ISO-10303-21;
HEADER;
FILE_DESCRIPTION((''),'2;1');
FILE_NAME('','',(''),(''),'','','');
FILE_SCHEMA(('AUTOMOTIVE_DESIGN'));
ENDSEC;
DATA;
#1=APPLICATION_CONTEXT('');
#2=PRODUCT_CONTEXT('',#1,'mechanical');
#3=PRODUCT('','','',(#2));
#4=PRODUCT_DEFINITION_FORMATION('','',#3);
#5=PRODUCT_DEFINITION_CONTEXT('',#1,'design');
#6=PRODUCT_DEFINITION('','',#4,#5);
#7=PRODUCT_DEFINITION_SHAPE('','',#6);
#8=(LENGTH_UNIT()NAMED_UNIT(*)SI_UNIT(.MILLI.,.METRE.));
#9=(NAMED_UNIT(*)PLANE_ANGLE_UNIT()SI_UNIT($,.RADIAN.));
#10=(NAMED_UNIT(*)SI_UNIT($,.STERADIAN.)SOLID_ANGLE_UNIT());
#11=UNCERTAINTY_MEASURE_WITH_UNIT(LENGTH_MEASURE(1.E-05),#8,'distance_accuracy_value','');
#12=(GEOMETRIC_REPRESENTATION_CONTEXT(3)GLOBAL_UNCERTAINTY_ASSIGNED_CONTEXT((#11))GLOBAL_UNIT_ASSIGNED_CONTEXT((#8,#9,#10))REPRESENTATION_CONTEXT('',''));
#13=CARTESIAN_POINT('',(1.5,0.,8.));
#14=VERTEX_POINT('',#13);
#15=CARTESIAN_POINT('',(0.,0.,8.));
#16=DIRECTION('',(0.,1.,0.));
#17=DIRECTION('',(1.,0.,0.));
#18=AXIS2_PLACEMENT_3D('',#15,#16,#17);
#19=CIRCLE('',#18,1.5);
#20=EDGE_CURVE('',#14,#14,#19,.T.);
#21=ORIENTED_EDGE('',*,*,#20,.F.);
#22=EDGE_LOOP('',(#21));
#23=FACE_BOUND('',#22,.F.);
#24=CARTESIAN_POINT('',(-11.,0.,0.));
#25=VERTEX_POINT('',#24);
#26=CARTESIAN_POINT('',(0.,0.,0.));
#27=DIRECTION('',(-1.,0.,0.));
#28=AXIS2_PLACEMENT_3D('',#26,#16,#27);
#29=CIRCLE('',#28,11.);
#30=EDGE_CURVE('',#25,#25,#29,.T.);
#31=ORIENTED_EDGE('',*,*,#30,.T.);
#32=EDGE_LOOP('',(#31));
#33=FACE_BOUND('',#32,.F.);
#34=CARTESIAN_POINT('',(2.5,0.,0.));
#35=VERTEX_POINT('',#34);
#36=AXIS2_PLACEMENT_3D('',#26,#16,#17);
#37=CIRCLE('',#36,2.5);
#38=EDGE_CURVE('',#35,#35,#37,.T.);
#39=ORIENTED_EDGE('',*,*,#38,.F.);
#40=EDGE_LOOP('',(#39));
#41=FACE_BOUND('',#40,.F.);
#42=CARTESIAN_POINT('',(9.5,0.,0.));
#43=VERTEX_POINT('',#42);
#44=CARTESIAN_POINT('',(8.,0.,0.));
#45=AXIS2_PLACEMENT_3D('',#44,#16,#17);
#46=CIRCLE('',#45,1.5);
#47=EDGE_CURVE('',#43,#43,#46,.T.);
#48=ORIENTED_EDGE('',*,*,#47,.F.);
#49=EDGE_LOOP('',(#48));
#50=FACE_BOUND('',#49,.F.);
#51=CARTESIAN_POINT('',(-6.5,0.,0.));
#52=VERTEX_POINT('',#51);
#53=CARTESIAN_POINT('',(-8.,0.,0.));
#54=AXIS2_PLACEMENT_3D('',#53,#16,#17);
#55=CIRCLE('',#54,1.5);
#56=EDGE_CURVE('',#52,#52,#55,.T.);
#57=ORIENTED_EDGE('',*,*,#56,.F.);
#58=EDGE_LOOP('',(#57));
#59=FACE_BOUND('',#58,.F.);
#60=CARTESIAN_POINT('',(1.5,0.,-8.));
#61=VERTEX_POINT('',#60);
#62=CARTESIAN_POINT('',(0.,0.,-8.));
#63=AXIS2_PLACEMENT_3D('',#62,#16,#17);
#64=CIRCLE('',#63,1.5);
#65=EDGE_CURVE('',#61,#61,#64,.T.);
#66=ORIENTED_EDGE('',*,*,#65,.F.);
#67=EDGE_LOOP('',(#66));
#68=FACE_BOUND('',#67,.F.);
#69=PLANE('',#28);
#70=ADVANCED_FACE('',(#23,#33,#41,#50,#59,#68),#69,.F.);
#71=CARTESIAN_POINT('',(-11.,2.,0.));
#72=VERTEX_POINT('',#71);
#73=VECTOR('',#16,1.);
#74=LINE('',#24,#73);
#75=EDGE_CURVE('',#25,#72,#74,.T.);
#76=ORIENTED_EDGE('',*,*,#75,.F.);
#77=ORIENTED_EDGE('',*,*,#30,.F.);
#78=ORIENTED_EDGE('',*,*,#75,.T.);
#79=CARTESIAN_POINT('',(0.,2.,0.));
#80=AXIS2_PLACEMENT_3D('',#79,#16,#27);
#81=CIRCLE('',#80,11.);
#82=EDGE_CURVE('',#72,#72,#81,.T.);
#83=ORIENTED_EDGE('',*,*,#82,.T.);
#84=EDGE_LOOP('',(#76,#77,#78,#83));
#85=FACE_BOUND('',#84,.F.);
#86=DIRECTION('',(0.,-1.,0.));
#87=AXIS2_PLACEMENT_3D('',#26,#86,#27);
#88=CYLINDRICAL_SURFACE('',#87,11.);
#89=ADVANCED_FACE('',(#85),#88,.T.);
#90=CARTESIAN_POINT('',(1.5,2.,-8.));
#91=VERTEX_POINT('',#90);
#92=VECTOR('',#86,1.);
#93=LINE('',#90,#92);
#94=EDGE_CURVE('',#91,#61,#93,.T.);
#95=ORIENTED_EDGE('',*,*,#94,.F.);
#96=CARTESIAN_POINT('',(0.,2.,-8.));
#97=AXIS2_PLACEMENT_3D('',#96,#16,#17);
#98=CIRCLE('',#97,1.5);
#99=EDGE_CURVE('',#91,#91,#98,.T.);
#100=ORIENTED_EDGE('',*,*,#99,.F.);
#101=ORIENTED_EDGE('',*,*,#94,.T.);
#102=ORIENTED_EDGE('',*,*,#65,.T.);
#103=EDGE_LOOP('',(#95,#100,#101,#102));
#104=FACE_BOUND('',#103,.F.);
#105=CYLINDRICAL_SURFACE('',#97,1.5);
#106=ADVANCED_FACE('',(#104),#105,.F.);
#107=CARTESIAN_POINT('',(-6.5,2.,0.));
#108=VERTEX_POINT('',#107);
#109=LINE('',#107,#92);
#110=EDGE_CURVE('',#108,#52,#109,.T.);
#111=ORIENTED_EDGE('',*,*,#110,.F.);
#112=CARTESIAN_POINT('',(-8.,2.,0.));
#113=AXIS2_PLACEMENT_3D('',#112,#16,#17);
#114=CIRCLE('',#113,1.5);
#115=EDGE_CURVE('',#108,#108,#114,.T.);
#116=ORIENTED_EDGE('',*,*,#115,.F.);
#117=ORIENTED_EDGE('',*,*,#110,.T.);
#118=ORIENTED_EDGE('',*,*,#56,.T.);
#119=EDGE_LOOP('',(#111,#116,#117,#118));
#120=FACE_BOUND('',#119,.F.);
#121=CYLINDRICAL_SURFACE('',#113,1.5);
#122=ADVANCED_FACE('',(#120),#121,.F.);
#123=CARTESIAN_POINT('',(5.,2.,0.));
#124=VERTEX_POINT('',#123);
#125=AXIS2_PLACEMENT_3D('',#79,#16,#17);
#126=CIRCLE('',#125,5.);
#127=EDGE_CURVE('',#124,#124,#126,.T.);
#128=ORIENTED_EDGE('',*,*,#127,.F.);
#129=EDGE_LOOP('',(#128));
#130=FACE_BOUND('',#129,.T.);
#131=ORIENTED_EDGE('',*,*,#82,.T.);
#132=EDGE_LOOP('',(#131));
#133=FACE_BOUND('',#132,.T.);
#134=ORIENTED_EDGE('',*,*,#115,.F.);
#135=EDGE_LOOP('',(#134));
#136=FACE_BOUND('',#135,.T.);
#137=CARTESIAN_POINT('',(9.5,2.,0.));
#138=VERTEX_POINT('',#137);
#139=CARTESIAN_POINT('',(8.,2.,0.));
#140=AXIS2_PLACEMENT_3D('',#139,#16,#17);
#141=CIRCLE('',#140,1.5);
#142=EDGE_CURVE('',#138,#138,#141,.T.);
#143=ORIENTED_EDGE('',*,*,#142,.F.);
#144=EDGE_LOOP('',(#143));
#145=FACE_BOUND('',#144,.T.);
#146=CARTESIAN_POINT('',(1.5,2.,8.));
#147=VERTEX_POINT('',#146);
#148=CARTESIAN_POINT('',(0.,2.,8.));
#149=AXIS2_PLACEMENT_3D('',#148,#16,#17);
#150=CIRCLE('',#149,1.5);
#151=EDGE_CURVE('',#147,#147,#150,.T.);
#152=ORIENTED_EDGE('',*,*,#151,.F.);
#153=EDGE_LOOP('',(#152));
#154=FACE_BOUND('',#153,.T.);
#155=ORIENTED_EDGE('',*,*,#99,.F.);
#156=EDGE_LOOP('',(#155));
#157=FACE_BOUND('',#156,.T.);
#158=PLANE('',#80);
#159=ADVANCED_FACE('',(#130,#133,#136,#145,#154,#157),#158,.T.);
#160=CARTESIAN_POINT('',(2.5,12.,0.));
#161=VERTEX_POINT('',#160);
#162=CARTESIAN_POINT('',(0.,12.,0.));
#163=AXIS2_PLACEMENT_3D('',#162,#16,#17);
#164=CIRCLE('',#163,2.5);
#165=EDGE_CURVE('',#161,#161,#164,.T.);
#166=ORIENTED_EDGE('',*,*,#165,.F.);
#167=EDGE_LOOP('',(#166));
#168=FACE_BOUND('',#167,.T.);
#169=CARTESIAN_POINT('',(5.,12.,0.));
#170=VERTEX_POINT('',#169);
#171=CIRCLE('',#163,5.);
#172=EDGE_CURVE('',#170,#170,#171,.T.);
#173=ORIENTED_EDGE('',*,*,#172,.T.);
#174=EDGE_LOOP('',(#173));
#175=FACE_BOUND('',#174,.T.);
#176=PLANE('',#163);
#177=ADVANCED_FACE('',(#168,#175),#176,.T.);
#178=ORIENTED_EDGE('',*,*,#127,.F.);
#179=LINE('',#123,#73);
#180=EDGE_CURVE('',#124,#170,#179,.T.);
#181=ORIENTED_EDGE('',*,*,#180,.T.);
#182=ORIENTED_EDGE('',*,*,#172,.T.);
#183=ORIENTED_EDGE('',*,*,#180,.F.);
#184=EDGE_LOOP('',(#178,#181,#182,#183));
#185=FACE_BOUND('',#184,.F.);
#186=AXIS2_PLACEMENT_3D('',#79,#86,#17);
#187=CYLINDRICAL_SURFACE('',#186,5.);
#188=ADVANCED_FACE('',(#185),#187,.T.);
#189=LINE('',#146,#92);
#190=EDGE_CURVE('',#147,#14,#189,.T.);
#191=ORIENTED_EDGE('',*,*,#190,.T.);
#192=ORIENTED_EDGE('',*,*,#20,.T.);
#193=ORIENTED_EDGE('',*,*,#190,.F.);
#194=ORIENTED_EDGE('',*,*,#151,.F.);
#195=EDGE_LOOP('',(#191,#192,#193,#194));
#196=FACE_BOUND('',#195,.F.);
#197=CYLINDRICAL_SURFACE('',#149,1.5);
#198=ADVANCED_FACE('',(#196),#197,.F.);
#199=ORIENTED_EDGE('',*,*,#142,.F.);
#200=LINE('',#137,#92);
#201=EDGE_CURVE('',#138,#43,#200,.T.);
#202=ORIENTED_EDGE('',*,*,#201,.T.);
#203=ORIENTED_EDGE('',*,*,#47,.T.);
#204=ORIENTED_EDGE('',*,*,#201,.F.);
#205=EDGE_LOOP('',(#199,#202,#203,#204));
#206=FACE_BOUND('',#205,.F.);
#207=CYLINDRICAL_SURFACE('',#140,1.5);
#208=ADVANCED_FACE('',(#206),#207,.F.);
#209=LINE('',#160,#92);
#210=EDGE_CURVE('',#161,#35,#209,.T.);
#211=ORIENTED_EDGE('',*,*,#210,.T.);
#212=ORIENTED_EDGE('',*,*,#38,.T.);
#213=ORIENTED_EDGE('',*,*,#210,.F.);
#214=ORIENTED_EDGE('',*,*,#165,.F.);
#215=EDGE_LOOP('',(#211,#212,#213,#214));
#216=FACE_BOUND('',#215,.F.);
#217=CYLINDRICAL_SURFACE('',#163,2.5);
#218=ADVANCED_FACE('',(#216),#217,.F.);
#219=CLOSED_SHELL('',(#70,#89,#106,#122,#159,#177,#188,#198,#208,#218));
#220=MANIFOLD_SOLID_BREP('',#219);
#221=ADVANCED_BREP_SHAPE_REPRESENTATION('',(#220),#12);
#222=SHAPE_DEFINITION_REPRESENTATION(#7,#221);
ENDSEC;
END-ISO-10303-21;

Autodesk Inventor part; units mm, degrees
ref_plane "YZ Plane" through (0, 0, 0) normal (1, 0, 0) x (0, 1, 0)
ref_plane "XZ Plane" through (0, 0, 0) normal (0, 1, 0) x (-1, 0, 0)
ref_plane "XY Plane" through (0, 0, 0) normal (0, 0, 1) x (1, 0, 0)
sketch "Эскиз1" plane through (0, 0, 0) normal (0, 1, 0) x (-1, 0, 0)
  circle A0 centre (0, 0) radius 11
  dimension "d0" = 22
extrude "Выдавливание1" add sketch "Эскиз1" along normal blind 2
sketch "Эскиз2" plane through (0, 2, 0) normal (0, 1, 0) x (1, 0, 0)
  circle A0 centre (0, 0) radius 5
  dimension "d3" = 10
extrude "Выдавливание2" add sketch "Эскиз2" along normal blind 10
sketch "Эскиз3" plane through (0, 12, 0) normal (0, 1, 0) x (1, 0, 0)
  circle A0 centre (0, 0) radius 2.5
  dimension "d6" = 5
extrude "Выдавливание3" cut sketch "Эскиз3" against normal blind 12
sketch "Эскиз4" plane through (0, 2, 0) normal (0, 1, 0) x (1, 0, 0)
  circle A0 centre (0, 0) radius 8 construction
  circle A1 centre (-8, 0) radius 1.5
  circle A2 centre (0, -8) radius 1.5
  circle A3 centre (8, 0) radius 1.5
  circle A4 centre (0, 8) radius 1.5
  dimension "d9" = 16
  dimension "d10" = 3
  dimension "d13" = 360
extrude "Выдавливание4" cut sketch "Эскиз4" against normal blind 2
properties part number "муфта"
